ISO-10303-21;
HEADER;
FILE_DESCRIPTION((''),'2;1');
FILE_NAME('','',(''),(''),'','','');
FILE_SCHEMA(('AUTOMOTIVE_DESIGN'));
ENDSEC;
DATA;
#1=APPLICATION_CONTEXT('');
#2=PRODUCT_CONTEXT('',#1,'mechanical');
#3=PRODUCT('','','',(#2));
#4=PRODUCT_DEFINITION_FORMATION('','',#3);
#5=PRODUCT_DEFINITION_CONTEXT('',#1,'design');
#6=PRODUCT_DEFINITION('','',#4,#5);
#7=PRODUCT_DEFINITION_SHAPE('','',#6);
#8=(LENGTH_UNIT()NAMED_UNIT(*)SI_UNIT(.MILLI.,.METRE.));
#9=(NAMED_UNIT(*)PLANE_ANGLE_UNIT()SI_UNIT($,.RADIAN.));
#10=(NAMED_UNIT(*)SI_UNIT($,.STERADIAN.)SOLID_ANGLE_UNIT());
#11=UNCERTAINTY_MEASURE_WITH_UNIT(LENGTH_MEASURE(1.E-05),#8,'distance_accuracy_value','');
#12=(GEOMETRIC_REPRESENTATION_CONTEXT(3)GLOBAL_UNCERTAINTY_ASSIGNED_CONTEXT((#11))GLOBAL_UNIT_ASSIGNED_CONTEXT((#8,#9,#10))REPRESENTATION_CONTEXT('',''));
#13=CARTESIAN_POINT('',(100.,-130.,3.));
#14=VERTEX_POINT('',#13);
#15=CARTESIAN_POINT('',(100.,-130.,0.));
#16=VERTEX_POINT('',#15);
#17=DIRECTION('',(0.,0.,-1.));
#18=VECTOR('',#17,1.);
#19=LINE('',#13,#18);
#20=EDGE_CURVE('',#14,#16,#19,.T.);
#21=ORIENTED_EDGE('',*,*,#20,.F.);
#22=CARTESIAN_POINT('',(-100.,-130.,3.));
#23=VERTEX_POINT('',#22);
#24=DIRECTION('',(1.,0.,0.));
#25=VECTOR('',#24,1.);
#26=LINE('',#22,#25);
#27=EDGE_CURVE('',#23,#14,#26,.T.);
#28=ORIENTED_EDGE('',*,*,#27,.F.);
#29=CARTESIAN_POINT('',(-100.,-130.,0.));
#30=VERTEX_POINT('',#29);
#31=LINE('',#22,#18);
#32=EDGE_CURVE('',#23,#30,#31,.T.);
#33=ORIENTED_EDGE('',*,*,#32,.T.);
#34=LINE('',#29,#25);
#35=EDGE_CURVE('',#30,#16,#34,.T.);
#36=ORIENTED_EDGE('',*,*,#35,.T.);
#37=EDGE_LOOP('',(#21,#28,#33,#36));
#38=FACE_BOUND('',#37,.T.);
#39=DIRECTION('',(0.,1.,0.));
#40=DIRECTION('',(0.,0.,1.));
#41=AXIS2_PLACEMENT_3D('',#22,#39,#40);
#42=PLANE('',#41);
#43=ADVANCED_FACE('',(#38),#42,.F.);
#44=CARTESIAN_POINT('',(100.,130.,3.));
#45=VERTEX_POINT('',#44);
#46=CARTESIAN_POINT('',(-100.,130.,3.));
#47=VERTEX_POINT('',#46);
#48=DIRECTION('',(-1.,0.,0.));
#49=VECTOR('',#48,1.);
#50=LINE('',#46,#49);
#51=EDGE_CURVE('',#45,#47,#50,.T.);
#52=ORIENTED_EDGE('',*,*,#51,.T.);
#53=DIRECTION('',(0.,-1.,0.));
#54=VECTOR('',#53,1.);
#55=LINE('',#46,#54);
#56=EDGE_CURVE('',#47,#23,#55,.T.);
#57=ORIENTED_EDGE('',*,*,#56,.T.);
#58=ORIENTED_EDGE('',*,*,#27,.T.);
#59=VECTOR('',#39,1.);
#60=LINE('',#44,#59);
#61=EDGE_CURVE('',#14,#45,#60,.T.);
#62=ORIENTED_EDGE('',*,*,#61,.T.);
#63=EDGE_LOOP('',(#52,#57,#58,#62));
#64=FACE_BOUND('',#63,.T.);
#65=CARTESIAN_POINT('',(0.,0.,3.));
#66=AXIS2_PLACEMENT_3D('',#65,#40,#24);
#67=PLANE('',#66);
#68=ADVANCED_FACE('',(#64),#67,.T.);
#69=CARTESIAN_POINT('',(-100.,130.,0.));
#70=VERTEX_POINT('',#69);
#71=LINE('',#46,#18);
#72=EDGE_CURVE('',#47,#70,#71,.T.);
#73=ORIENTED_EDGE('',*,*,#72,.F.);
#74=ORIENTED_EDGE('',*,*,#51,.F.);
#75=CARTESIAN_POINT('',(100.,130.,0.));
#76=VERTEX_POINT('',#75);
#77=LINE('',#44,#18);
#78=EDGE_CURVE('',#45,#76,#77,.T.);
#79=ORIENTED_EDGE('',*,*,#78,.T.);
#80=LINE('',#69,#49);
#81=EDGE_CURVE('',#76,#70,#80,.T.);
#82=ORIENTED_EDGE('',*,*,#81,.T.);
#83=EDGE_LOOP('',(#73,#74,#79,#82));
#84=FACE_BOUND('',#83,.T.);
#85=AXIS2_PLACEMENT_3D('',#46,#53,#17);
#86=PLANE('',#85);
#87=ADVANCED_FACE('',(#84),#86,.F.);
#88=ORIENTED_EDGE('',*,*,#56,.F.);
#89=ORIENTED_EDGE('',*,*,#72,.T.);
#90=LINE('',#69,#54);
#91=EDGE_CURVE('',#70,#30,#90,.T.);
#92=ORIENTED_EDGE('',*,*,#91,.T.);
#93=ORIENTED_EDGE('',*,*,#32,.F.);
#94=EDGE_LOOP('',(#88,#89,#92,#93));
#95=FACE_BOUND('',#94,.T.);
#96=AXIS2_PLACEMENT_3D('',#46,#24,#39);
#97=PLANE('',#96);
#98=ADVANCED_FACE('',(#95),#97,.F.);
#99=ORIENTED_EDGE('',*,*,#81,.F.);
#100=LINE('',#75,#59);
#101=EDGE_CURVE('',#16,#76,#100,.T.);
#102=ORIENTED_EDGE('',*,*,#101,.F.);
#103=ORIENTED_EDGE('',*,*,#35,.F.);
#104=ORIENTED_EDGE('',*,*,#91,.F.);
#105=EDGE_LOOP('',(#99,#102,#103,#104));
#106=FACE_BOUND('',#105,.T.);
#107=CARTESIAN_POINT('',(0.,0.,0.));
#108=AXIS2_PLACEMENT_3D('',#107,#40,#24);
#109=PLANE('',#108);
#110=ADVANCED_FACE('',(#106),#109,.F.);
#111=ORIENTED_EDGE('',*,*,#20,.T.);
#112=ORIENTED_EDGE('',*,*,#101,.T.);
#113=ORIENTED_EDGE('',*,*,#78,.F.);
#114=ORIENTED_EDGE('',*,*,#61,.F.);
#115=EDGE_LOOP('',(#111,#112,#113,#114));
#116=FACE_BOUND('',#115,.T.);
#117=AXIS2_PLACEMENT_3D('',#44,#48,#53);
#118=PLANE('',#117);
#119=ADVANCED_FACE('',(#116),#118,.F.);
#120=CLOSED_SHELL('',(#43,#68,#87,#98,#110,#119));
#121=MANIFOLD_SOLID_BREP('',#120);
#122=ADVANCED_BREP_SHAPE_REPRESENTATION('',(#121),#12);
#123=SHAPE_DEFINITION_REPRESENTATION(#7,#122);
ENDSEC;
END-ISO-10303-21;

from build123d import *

# Parameters (mm, degrees)
ESBO_O1_W                = 200
ESBO_O1_H                = 260
RESSALTO_EXTRUS_O1_DEPTH = 3


with BuildPart() as part:
    # Esboço1 → Ressalto-extrusão1 (new body)
    with BuildSketch(Plane.XY):
        Rectangle(ESBO_O1_W, ESBO_O1_H)
    extrude(amount=RESSALTO_EXTRUS_O1_DEPTH)


solid = part.part
